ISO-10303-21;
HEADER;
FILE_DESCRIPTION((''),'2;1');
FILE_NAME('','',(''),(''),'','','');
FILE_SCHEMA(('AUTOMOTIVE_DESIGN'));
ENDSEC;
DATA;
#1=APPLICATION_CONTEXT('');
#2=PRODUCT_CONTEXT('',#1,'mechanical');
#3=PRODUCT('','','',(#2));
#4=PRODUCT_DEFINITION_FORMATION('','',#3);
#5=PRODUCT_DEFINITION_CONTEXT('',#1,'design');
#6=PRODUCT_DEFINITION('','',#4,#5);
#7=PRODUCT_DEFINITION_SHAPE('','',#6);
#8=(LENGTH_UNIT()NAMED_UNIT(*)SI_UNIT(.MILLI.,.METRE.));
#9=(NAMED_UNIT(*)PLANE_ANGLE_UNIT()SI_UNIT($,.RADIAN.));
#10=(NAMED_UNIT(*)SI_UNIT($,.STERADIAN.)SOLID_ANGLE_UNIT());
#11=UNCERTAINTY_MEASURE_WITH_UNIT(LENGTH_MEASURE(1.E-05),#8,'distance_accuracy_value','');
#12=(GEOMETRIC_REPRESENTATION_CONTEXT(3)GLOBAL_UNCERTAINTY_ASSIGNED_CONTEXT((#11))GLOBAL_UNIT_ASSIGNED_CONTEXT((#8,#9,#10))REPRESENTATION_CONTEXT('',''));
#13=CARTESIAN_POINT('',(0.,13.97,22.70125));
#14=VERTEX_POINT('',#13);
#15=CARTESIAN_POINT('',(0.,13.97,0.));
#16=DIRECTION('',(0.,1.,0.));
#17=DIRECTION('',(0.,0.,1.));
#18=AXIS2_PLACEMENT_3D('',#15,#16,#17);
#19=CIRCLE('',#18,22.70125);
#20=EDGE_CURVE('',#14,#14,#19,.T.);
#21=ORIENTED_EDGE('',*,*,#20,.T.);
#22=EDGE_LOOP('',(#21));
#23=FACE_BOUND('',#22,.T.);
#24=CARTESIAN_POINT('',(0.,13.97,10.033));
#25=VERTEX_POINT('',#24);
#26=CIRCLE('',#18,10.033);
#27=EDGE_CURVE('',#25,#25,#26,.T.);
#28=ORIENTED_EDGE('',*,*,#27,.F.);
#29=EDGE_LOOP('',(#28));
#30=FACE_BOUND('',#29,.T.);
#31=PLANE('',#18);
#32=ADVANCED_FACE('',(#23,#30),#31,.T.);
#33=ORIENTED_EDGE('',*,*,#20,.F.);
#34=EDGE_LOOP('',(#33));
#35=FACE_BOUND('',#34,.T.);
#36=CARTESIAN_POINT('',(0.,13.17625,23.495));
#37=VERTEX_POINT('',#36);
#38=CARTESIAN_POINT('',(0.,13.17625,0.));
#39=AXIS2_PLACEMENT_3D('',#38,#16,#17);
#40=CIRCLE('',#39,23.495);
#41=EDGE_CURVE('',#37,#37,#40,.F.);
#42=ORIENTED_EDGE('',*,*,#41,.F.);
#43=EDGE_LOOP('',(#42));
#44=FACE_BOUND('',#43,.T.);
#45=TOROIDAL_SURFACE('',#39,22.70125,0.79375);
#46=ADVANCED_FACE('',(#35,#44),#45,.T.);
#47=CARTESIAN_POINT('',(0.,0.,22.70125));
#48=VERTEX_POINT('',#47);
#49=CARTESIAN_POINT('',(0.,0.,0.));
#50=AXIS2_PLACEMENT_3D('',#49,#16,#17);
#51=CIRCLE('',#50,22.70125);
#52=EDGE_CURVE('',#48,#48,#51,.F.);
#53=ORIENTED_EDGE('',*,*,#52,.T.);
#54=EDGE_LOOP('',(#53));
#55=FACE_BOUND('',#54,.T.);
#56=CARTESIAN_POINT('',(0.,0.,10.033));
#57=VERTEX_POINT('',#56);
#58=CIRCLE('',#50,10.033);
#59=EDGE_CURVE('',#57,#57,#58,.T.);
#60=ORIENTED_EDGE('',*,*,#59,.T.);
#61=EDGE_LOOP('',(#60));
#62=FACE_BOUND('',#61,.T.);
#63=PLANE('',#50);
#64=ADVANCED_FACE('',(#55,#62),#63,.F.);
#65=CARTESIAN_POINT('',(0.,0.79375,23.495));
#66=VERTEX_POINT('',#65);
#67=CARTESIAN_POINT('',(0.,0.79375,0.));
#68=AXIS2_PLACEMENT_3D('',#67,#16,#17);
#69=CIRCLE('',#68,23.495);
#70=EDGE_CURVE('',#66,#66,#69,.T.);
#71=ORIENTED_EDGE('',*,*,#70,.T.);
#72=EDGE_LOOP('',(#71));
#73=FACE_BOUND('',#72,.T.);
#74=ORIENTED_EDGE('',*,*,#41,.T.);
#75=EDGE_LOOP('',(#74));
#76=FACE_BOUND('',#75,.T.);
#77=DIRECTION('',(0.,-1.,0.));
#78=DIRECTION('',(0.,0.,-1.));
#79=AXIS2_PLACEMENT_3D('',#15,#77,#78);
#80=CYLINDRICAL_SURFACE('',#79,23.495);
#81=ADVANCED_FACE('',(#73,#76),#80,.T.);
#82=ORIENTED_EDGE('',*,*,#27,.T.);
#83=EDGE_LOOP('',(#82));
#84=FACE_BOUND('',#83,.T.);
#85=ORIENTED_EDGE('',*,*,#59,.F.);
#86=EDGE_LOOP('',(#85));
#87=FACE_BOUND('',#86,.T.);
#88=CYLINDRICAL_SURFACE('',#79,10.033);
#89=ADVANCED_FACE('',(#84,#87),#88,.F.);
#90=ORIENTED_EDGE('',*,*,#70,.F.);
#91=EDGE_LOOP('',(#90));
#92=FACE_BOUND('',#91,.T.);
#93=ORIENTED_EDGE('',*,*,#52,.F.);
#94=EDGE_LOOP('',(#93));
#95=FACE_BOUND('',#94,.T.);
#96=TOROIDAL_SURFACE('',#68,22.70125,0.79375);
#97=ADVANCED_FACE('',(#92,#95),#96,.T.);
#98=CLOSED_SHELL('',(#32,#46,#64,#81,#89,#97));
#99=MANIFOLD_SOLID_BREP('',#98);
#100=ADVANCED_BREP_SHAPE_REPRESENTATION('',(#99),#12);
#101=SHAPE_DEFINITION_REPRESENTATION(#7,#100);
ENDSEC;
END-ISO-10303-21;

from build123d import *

# Parameters (mm, degrees)
SKETCH1_R           = 23.495
SKETCH1_R_2         = 10.033
BOSS_EXTRUDE1_DEPTH = 13.97
FILLET1_R           = 0.79375


with BuildPart() as part:
    # Sketch1 → Boss-Extrude1 (new body)
    with BuildSketch(Plane(origin=(0, 0, 0), x_dir=(1, 0, 0), z_dir=(0, 1, 0))):
        with Locations(Location((0, 0, 0), (0, 0, 270))):
            Circle(SKETCH1_R)
        with Locations(Location((0, 0, 0), (0, 0, 270))):
            Circle(SKETCH1_R_2, mode=Mode.SUBTRACT)
    extrude(amount=BOSS_EXTRUDE1_DEPTH)

    # Fillet1
    fillet1_edges = [part.edges().sort_by_distance(p)[0] for p in [
        (0, 0, -23.495),
        (0, 13.97, -23.495),
    ]]
    fillet(fillet1_edges, radius=FILLET1_R)


solid = part.part
